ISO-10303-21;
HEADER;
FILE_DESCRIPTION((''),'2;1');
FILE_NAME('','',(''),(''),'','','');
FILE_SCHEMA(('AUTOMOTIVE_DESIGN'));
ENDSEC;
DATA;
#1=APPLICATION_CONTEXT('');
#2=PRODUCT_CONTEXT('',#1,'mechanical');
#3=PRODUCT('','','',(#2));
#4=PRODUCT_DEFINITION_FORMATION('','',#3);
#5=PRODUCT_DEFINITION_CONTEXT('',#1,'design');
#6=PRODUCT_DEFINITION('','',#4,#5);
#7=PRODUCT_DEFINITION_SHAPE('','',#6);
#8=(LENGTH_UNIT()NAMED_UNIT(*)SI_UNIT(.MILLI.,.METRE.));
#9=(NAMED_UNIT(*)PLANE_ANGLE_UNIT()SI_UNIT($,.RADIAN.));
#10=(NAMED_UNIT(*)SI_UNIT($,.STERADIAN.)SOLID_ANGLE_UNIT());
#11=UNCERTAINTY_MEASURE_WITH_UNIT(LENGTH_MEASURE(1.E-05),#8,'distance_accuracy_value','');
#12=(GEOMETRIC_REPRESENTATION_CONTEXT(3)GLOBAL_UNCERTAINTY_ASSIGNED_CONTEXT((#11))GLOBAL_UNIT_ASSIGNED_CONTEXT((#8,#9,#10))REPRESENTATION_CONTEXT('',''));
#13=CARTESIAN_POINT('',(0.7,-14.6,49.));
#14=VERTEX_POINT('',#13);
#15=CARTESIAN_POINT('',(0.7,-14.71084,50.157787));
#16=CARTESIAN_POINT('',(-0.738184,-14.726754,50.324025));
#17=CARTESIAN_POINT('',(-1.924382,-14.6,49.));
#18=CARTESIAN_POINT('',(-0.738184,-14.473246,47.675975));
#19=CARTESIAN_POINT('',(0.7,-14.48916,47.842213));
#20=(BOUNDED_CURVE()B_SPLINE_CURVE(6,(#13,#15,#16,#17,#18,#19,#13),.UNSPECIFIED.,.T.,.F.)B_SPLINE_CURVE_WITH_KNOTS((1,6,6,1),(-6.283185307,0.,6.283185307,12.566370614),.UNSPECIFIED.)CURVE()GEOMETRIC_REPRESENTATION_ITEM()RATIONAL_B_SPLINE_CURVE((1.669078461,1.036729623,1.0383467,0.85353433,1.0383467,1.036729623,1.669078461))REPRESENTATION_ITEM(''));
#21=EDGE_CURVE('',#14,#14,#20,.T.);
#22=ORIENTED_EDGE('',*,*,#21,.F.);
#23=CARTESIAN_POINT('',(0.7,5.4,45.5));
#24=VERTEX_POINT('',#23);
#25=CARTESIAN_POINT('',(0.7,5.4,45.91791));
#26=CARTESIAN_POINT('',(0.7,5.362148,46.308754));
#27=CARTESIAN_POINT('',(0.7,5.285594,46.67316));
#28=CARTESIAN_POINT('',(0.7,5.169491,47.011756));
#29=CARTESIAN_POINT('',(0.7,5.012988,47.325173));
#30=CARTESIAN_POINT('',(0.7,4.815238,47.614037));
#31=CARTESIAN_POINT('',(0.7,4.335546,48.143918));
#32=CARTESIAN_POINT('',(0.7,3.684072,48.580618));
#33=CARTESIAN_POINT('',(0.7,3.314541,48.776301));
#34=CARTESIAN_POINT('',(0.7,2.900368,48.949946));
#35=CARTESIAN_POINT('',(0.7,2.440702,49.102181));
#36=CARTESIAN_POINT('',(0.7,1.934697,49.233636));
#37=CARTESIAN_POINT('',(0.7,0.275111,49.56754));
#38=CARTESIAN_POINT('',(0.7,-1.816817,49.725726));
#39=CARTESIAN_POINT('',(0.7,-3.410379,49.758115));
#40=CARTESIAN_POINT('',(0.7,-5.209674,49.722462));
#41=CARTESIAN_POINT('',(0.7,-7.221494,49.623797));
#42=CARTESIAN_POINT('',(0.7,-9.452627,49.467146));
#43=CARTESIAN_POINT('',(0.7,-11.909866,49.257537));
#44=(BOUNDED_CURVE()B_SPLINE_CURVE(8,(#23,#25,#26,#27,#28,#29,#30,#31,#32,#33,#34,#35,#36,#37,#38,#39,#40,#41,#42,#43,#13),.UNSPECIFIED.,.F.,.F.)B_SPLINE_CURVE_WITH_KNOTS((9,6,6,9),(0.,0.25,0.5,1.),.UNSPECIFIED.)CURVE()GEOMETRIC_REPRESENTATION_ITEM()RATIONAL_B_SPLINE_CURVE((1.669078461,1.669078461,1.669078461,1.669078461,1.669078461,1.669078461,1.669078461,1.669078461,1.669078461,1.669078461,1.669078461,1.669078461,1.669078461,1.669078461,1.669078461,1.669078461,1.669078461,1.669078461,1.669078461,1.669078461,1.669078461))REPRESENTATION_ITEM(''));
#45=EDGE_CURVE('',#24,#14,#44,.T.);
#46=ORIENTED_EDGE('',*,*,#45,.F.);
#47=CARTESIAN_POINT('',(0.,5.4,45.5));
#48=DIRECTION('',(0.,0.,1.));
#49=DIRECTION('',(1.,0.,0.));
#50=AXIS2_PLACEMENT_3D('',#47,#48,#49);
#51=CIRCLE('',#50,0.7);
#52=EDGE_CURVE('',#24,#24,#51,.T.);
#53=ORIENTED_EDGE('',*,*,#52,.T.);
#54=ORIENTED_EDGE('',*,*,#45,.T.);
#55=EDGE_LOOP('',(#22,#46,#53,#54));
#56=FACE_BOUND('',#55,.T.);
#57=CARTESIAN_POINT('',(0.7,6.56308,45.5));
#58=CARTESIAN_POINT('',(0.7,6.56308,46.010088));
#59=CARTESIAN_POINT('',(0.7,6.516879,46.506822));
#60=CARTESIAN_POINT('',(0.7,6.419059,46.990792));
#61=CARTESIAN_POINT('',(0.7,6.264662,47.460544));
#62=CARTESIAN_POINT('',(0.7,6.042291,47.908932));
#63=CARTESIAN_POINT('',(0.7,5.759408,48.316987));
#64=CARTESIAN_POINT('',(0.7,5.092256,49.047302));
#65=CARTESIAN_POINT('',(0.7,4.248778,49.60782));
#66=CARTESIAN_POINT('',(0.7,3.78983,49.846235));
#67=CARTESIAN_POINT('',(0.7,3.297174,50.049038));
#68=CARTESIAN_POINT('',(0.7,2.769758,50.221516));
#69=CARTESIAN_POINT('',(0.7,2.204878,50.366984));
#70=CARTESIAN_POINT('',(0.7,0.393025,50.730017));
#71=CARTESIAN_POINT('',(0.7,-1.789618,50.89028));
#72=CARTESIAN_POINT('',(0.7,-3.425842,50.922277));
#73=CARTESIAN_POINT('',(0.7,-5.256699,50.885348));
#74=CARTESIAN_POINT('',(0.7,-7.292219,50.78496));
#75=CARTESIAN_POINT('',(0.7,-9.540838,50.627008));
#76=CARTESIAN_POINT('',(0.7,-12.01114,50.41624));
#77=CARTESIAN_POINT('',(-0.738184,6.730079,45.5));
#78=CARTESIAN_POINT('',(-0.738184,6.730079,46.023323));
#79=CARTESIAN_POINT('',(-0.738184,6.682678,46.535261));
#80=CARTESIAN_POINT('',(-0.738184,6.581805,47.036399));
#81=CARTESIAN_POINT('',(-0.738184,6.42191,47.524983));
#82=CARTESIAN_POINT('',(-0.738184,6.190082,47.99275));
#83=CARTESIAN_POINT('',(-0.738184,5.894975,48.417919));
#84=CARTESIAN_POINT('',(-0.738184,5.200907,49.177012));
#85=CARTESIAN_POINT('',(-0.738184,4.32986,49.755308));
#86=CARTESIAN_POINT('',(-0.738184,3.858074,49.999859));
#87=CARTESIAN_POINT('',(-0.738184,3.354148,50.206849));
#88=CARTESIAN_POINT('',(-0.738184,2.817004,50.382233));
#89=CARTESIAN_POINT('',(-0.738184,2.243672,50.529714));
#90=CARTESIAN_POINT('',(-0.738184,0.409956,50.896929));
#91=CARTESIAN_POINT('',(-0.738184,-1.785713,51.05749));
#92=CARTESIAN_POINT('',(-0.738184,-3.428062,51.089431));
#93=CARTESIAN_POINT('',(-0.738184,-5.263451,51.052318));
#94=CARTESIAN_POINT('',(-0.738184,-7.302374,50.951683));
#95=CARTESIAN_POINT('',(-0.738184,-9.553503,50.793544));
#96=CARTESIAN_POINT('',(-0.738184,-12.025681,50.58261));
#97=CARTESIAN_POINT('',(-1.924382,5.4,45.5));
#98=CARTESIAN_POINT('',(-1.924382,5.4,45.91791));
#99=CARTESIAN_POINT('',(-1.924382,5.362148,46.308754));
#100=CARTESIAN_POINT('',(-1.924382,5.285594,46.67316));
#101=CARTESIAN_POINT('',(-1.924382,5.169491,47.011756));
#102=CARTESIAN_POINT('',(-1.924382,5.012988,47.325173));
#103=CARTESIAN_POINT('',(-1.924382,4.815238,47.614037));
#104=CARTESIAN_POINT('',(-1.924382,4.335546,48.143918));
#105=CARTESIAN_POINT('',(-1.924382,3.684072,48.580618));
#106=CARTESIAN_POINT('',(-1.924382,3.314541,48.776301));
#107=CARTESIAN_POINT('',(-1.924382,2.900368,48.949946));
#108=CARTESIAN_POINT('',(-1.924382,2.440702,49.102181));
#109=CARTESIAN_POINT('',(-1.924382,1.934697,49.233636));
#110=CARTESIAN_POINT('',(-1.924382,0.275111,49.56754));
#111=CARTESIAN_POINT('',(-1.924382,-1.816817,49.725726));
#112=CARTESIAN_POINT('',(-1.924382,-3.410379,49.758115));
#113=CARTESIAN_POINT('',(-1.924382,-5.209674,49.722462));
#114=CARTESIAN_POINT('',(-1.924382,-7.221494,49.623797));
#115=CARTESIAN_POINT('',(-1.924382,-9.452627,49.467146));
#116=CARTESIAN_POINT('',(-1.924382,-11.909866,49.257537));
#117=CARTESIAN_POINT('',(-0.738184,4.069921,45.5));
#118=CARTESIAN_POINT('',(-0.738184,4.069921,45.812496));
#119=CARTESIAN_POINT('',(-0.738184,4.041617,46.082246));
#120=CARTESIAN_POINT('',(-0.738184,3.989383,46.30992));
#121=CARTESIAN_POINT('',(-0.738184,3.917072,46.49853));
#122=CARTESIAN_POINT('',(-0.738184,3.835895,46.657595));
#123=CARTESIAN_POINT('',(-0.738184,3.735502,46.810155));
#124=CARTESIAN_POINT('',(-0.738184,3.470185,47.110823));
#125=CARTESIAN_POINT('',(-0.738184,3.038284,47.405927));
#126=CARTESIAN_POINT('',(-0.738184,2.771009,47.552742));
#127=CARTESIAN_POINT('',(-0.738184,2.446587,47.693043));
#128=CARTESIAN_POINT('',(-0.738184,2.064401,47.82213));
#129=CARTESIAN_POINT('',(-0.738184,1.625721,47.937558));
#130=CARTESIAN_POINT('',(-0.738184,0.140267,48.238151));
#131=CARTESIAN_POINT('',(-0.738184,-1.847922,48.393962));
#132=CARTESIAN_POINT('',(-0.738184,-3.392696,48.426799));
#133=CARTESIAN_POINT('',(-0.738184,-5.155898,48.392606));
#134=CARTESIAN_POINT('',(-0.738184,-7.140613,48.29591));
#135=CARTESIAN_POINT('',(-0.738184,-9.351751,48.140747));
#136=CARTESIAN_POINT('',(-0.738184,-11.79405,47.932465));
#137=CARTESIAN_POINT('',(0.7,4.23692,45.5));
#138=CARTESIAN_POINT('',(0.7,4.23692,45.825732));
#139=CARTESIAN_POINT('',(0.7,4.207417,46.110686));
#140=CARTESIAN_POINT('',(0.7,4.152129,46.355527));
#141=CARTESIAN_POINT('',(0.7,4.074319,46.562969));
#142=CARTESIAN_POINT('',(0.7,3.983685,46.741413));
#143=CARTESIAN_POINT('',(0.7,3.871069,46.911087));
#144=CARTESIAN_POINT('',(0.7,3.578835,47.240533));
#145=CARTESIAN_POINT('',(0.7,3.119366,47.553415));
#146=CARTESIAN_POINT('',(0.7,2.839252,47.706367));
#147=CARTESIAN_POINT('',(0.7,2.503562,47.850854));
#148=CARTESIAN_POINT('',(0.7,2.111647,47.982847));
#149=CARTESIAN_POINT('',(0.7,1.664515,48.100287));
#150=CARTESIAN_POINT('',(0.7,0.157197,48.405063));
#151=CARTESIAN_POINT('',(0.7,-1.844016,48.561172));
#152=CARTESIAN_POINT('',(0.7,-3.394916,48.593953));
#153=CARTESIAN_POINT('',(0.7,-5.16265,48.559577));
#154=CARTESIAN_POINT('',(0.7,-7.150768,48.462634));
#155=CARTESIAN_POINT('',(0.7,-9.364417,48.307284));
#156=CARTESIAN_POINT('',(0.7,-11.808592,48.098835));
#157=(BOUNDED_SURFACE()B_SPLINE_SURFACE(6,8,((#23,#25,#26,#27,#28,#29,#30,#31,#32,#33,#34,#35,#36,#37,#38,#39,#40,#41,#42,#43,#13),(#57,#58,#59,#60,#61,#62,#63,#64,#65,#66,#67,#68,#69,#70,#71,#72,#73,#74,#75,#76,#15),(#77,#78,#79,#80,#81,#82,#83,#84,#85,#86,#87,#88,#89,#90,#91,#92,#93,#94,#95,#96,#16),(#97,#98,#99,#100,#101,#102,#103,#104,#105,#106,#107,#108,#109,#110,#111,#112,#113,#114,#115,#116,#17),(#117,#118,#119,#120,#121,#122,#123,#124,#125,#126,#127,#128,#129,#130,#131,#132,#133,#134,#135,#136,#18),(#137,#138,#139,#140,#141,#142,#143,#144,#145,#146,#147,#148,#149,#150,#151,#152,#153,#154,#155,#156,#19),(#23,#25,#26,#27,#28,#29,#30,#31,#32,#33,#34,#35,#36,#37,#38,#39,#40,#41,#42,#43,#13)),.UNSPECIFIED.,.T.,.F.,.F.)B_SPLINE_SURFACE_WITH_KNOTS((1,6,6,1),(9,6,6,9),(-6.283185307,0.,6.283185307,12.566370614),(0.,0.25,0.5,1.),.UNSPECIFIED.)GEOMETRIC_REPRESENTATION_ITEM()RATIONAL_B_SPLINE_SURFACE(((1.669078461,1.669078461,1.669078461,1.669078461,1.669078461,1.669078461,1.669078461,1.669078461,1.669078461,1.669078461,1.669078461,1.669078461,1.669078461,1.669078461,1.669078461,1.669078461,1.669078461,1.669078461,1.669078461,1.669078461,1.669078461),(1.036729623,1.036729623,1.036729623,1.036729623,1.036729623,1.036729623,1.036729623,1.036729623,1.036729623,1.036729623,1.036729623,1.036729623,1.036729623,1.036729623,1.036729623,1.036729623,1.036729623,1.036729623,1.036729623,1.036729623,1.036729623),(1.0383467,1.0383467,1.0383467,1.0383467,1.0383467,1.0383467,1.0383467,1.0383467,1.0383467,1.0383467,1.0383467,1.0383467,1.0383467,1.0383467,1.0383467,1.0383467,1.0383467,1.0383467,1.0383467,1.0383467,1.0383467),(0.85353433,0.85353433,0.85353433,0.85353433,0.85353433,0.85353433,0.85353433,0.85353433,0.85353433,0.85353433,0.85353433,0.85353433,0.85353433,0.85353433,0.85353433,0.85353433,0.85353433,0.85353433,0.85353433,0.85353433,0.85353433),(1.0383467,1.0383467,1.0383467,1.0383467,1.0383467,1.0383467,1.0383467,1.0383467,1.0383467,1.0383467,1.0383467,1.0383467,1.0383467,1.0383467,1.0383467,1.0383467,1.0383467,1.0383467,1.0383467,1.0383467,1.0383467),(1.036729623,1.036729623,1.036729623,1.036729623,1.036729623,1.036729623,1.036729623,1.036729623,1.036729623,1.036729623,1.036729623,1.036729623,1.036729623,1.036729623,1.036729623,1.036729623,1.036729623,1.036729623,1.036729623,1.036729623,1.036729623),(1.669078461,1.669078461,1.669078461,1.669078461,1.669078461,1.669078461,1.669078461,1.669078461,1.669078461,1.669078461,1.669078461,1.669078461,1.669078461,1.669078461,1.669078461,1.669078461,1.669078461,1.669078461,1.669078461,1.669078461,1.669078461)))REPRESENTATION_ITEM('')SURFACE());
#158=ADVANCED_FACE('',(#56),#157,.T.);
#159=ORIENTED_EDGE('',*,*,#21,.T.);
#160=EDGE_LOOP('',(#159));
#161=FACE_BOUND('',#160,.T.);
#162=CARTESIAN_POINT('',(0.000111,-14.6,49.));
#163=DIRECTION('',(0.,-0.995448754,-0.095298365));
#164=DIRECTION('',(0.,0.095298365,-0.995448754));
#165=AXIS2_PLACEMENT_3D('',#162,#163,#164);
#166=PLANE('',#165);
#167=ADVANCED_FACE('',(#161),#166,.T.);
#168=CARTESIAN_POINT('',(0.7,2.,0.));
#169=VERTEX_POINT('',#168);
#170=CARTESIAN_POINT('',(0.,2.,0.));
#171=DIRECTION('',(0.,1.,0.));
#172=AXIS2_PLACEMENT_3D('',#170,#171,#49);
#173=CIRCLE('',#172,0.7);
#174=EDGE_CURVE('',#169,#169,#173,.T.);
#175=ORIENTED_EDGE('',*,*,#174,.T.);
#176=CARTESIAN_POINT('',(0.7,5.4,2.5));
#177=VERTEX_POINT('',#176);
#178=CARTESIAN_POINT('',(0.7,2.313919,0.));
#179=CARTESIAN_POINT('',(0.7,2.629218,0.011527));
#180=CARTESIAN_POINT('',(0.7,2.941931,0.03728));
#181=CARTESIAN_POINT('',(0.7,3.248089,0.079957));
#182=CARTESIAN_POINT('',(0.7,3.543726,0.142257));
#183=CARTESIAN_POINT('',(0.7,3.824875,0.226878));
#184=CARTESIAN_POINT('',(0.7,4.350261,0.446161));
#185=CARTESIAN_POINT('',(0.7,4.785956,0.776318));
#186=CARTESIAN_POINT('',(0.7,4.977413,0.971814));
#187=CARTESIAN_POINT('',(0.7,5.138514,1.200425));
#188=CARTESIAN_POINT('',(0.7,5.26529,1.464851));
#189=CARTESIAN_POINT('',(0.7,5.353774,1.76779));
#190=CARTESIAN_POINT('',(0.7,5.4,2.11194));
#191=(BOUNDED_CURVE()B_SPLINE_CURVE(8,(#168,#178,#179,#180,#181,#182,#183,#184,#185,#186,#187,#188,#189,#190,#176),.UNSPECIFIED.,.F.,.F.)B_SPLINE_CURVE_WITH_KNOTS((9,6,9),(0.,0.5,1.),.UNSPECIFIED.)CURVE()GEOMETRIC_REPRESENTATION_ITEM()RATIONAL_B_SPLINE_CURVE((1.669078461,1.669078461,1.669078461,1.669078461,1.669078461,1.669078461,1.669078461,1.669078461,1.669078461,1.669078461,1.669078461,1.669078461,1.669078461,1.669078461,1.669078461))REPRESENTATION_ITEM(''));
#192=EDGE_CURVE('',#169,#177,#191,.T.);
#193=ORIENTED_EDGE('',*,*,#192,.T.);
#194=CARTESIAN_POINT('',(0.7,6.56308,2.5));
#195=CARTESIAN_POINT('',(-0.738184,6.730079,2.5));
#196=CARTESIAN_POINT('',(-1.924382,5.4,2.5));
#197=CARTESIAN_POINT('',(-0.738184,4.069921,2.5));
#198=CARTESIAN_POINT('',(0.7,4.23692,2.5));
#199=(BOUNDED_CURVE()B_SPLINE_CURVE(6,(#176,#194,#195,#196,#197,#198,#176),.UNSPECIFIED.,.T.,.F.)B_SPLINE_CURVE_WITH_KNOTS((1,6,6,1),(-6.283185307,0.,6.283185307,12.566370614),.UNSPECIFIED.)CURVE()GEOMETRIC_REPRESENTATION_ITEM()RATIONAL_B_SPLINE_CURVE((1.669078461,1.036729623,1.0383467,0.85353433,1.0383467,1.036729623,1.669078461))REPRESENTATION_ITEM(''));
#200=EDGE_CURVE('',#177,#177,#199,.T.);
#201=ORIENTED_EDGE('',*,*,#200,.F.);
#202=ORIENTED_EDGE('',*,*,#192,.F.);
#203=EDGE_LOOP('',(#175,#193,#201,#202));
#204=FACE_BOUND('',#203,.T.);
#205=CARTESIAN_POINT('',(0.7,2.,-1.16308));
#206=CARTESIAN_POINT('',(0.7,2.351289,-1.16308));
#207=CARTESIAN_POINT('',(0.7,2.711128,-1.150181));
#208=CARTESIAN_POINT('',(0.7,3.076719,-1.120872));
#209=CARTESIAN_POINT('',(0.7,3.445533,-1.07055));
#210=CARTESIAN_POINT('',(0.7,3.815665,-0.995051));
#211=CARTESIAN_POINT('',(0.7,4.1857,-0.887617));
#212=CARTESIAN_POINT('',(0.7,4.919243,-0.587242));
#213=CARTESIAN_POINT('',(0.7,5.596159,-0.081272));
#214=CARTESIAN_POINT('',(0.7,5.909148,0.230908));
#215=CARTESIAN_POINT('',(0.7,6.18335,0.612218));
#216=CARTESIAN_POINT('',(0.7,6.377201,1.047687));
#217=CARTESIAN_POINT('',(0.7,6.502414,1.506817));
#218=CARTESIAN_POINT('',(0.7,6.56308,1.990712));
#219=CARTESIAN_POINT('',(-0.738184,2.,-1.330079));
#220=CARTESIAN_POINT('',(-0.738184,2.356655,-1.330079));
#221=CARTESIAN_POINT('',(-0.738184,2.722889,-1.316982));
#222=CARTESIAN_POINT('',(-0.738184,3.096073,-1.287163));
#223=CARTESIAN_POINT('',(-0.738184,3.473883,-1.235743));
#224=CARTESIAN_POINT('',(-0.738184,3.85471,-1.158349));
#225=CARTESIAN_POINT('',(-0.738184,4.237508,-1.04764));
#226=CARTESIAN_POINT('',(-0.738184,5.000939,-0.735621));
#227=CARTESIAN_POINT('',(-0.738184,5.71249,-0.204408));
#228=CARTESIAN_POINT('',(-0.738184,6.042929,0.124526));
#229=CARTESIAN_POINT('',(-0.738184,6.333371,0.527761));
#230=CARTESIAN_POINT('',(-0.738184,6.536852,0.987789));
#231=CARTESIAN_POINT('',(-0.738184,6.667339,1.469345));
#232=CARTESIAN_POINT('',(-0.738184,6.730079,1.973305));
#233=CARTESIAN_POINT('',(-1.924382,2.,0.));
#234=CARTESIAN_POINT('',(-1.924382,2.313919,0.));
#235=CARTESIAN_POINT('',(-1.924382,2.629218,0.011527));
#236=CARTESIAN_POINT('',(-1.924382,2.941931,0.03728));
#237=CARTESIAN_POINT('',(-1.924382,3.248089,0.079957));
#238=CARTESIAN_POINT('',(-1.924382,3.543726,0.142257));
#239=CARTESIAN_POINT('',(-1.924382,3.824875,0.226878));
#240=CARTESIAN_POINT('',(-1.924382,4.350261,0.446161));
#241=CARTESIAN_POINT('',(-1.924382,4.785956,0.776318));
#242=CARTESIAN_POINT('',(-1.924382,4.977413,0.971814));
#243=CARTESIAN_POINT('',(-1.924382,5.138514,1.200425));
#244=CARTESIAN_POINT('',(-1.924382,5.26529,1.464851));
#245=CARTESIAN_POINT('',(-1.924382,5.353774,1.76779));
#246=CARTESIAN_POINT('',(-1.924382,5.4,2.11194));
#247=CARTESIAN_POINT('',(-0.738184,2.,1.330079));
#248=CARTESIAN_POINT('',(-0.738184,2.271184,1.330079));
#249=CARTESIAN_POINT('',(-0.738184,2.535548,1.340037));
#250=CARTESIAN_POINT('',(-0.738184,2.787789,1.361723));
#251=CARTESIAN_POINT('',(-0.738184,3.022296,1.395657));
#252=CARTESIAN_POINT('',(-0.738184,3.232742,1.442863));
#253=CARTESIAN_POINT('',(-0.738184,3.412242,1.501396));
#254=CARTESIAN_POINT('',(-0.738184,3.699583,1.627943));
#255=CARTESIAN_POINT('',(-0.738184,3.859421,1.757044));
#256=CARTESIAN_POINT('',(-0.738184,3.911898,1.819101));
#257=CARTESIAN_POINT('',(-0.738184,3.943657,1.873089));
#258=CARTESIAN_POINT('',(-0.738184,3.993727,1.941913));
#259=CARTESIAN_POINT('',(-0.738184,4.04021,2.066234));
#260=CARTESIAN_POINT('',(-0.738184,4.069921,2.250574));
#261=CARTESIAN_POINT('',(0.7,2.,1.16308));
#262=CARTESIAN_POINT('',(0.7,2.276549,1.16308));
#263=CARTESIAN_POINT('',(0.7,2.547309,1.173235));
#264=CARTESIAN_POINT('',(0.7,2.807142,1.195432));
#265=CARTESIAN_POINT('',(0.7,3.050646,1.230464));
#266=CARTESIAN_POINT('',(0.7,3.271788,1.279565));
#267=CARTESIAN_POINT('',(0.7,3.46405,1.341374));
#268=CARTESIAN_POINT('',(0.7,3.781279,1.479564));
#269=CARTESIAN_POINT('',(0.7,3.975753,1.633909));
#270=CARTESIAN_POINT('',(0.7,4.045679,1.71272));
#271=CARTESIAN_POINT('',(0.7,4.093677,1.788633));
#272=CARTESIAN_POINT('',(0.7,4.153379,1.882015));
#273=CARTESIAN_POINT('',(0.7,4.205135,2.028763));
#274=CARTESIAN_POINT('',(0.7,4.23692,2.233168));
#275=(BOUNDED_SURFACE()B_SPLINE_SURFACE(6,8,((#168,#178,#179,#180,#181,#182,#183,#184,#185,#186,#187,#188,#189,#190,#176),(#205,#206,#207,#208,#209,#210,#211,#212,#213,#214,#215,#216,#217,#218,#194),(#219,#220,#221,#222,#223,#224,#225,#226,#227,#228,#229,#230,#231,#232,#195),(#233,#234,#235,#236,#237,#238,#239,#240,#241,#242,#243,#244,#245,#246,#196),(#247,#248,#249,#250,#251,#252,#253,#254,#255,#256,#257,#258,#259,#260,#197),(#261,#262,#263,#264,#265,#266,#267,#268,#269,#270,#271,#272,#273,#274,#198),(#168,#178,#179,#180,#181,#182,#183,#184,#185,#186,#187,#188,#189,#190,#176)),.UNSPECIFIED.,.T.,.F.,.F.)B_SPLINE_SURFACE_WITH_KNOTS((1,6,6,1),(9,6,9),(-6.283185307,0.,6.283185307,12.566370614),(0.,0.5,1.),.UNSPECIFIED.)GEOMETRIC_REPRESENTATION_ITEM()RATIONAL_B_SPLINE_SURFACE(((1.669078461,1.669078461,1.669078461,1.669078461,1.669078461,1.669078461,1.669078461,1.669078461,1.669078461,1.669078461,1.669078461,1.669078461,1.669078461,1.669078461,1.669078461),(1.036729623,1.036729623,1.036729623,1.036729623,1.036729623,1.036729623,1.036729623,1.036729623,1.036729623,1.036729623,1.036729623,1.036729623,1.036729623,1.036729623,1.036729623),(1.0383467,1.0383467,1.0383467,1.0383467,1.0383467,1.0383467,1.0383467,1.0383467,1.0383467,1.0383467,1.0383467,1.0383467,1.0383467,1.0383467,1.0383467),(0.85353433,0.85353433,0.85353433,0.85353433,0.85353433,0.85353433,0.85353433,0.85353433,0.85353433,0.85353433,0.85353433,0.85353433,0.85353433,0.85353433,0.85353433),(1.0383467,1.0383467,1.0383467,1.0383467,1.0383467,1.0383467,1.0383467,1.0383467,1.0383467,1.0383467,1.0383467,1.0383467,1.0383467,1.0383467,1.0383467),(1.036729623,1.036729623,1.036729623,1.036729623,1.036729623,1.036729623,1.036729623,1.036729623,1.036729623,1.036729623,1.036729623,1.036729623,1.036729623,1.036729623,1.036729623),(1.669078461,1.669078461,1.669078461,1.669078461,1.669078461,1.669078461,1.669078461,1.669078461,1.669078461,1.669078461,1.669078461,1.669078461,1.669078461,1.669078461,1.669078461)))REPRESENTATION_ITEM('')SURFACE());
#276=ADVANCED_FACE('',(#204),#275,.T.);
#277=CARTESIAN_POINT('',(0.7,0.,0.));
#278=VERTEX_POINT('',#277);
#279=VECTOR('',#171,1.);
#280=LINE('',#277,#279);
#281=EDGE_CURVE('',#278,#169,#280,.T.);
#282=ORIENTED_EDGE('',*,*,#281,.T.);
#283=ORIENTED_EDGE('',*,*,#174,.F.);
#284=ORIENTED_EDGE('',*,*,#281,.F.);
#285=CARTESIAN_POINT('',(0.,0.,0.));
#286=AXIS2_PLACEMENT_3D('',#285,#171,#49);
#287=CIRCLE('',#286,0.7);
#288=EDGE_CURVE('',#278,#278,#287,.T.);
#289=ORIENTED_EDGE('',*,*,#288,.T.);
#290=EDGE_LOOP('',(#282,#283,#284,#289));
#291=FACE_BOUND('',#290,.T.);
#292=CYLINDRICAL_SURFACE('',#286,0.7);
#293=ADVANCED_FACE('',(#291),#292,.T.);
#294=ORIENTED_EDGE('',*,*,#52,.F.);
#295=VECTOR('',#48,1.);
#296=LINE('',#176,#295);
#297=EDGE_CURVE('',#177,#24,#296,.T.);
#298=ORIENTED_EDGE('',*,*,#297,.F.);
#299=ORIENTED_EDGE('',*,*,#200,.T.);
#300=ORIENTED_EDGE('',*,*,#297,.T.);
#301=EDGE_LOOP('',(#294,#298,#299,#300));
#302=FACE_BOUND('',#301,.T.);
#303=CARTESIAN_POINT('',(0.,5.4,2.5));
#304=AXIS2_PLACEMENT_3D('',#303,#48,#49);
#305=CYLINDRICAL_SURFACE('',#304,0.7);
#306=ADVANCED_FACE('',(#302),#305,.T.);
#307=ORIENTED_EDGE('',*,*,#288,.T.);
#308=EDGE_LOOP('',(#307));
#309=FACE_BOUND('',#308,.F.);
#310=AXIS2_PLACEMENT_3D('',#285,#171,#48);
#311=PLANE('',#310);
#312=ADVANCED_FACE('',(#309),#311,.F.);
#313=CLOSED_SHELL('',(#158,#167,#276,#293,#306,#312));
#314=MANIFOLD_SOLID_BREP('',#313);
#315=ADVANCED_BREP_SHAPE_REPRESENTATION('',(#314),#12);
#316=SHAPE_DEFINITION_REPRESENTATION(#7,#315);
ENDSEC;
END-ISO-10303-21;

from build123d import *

# Parameters (mm, degrees)
SKETCH2_R = 0.7


with BuildPart() as part:
    # Sweep1: sweep along a path in Sketch1
    with BuildLine() as sweep1_path:  # in the path sketch's own coordinates; laid on its plane below (add() does not lay a ready-made edge on the line's plane)
        Line((0, 0), (0, 2))
        add(Edge.make_bspline(
            [(0, 2), (0, 3.674235304), (-0.430345499, 5.4), (-2.5, 5.4)],
            knots=[0, 0, 0, 0, 1, 1, 1, 1], degree=3))
        Line((-2.5, 5.4), (-45.5, 5.4))
        add(Edge.make_bspline(
            [(-45.5, 5.4), (-49.957704936, 5.4), (-50.373533333, -0.252618042), (-49, -14.6)],
            knots=[0, 0, 0, 0, 1, 1, 1, 1], degree=3))
    # Sketch2 → Sweep1 (sweep)
    with BuildSketch(Plane(origin=(0, 0, 0), x_dir=(1, 0, 0), z_dir=(0, 1, 0))):
        Circle(SKETCH2_R)
    sweep(path=Plane(origin=(0, 0, 0), x_dir=(0, 0, -1), z_dir=(1, 0, 0)) * sweep1_path.line)


solid = part.part
